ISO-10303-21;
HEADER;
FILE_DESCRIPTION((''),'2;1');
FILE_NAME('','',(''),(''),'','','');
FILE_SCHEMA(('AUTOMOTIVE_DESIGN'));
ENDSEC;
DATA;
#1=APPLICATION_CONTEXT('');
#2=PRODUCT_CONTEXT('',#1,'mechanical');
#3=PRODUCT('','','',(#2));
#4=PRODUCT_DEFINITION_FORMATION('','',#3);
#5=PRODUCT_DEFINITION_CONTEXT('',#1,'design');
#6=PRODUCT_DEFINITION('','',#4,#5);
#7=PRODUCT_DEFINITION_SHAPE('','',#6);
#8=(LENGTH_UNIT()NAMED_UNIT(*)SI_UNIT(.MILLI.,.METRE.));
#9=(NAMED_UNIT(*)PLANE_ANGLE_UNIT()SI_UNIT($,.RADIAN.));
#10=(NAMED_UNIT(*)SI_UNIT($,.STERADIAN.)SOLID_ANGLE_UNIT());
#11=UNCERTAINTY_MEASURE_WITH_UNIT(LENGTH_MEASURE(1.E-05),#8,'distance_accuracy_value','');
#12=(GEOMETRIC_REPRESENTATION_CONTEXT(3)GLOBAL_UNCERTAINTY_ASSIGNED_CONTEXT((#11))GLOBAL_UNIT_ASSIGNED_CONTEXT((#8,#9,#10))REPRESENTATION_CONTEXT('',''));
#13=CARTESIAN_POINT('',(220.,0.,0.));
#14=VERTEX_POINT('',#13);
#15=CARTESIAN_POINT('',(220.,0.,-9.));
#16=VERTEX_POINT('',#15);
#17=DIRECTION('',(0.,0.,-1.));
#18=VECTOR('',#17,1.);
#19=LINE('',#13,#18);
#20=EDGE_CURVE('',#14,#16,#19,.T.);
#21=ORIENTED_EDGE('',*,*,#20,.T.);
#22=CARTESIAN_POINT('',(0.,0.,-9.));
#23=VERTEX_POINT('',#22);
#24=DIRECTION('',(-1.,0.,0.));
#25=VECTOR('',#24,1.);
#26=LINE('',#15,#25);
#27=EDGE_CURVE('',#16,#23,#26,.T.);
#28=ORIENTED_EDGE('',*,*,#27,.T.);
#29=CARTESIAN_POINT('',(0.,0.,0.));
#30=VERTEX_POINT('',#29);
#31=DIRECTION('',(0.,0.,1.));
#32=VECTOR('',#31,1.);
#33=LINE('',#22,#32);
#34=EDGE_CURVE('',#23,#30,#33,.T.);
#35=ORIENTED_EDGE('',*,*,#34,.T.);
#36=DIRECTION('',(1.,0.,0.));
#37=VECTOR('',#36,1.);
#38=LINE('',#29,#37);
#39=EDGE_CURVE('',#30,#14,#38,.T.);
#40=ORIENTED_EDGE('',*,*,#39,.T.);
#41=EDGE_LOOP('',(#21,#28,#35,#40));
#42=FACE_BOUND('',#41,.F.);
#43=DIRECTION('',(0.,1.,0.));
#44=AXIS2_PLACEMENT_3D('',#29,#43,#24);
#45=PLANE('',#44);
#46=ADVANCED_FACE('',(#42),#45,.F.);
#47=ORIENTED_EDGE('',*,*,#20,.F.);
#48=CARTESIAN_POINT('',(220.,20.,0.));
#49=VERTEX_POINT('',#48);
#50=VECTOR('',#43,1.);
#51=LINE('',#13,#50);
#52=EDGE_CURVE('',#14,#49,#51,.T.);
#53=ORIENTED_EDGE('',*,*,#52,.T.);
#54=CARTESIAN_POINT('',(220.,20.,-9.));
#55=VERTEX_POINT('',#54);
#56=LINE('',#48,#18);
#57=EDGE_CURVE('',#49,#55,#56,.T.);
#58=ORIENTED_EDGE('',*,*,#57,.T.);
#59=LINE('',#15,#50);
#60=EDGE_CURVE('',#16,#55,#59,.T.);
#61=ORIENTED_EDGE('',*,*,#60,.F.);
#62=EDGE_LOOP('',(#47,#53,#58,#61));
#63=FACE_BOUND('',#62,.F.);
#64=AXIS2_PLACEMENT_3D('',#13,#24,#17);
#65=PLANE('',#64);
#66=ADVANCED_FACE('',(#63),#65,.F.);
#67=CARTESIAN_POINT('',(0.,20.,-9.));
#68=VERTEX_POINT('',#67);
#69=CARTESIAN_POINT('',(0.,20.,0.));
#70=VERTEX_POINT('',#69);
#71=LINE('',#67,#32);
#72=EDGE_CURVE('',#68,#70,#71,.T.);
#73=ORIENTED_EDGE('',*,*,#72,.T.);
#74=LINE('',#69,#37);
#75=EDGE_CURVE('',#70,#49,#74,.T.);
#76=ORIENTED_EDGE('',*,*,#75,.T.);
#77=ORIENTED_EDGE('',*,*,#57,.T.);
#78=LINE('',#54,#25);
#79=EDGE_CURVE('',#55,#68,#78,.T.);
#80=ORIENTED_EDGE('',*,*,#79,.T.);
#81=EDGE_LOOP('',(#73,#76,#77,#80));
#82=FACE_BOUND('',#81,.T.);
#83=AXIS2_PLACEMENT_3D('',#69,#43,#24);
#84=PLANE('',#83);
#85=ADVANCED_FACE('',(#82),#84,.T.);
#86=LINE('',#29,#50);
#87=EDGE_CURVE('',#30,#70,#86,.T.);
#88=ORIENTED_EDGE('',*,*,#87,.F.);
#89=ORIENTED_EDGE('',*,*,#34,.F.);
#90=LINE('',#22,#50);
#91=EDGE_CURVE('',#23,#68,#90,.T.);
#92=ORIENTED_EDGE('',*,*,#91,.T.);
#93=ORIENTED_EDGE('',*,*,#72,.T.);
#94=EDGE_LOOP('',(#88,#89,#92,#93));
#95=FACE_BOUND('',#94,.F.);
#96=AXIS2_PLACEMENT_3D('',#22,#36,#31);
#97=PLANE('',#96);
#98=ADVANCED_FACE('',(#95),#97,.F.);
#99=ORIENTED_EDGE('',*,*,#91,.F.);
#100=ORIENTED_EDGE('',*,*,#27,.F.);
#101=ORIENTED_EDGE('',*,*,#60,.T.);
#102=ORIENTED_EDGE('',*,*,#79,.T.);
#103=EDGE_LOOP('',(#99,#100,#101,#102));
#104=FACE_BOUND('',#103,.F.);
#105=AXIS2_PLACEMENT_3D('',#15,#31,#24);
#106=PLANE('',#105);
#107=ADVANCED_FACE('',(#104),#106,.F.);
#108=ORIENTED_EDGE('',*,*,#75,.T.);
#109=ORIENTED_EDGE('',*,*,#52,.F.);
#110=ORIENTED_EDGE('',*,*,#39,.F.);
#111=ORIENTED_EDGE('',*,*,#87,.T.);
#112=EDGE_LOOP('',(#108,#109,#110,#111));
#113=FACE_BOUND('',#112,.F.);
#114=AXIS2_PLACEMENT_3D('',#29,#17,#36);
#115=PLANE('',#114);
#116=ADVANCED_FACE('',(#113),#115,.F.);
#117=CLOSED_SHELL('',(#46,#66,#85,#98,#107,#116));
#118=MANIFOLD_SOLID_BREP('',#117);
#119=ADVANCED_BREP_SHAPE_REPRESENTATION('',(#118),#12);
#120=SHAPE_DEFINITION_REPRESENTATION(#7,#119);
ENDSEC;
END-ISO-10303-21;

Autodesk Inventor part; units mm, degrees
ref_plane "YZ Plane" through (0, 0, 0) normal (1, 0, 0) x (0, 1, 0)
ref_plane "XZ Plane" through (0, 0, 0) normal (0, 1, 0) x (-1, 0, 0)
ref_plane "XY Plane" through (0, 0, 0) normal (0, 0, 1) x (1, 0, 0)
sketch "Boceto1" plane through (0, 0, 0) normal (0, 1, 0) x (-1, 0, 0)
  line L0 (0, 0) -> (-220, 0)
  line L1 (-220, 0) -> (-220, -9)
  line L2 (-220, -9) -> (0, -9)
  line L3 (0, -9) -> (0, 0)
  dimension "d0" = 220
  dimension "d1" = 9
extrude "Extrusión1" add sketch "Boceto1" along normal blind 20
properties part number "Barra deslizante"
